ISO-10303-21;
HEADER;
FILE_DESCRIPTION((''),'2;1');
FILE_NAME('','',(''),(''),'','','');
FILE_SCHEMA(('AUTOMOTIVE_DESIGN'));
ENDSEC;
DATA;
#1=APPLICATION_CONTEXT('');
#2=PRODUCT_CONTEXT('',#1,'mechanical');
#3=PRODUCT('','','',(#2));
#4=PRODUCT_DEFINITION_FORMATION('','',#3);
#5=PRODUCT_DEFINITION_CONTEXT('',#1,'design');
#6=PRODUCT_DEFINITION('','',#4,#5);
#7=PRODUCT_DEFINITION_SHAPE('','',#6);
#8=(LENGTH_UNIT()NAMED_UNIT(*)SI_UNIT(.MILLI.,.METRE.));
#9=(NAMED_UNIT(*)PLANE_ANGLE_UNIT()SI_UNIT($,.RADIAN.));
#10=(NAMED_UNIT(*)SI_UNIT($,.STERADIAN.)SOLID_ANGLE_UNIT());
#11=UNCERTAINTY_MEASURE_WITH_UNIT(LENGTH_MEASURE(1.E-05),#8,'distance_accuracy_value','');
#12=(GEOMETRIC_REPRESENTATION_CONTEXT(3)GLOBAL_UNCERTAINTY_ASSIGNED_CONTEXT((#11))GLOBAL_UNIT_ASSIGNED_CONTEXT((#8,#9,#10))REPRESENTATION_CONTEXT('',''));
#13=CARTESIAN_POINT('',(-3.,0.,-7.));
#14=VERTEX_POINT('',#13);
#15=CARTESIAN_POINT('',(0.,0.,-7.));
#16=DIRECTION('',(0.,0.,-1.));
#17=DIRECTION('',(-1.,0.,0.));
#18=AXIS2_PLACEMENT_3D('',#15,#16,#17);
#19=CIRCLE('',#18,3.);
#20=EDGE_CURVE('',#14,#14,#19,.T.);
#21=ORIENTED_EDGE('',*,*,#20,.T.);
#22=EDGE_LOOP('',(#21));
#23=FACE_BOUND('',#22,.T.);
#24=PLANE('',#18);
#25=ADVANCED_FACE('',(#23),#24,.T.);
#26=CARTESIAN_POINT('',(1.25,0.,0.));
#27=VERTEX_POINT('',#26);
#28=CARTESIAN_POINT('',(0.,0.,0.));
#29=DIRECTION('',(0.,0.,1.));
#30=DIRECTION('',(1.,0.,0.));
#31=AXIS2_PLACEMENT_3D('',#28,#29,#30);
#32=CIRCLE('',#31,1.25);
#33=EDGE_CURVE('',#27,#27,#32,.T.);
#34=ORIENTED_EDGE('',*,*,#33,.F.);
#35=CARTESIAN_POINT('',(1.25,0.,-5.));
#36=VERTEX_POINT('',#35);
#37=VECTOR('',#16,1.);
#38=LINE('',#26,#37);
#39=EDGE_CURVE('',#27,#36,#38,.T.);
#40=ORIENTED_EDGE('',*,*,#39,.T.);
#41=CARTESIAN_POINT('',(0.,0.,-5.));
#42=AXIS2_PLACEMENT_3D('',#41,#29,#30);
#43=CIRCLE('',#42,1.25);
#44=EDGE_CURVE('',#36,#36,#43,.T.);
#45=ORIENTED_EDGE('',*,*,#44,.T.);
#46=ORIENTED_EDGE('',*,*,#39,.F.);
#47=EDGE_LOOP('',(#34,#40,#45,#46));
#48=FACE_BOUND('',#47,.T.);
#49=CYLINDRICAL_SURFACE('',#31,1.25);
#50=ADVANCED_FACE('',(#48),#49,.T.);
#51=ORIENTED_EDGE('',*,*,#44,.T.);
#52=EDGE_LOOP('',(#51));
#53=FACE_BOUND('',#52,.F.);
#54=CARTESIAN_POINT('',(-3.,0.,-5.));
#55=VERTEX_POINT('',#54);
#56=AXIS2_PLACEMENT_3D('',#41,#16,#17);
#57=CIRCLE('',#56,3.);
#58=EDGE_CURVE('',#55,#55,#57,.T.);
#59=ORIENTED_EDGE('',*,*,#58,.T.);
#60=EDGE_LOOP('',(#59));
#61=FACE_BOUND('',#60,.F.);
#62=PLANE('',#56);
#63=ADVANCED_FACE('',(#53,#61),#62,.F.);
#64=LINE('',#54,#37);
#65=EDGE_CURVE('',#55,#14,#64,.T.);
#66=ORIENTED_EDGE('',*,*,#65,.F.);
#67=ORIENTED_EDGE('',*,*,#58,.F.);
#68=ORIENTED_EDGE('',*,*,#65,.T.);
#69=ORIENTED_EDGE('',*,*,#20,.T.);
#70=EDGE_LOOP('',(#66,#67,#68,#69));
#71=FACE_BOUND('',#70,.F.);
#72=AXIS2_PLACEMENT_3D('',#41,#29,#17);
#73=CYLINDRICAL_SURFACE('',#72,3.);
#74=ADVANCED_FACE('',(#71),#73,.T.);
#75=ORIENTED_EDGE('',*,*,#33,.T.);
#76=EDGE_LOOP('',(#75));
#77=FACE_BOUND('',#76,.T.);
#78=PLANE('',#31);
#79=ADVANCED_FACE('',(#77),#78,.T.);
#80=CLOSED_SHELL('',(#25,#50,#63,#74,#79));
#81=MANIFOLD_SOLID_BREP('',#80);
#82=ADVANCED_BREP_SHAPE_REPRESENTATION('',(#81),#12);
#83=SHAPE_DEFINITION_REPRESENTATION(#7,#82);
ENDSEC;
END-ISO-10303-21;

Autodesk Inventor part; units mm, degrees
ref_plane "YZ Plane" through (0, 0, 0) normal (1, 0, 0) x (0, 1, 0)
ref_plane "XZ Plane" through (0, 0, 0) normal (0, 1, 0) x (-1, 0, 0)
ref_plane "XY Plane" through (0, 0, 0) normal (0, 0, 1) x (1, 0, 0)
sketch "Sketch1" plane through (0, 0, 0) normal (0, 0, 1) x (1, 0, 0)
  circle A0 centre (0, 0) radius 1.25
  dimension "d0" = 2.5
extrude "Extrusion1" add sketch "Sketch1" against normal blind 5
sketch "Sketch2" plane through (0, 0, -5) normal (0, 0, -1) x (-1, 0, 0)
  circle A0 centre (0, 0) radius 1.25 projected
  circle A1 centre (0, 0) radius 3
  dimension "d3" = 6
extrude "Extrusion2" add sketch "Sketch2" along normal blind 2 contours A0 | A1
properties part number "hook"
